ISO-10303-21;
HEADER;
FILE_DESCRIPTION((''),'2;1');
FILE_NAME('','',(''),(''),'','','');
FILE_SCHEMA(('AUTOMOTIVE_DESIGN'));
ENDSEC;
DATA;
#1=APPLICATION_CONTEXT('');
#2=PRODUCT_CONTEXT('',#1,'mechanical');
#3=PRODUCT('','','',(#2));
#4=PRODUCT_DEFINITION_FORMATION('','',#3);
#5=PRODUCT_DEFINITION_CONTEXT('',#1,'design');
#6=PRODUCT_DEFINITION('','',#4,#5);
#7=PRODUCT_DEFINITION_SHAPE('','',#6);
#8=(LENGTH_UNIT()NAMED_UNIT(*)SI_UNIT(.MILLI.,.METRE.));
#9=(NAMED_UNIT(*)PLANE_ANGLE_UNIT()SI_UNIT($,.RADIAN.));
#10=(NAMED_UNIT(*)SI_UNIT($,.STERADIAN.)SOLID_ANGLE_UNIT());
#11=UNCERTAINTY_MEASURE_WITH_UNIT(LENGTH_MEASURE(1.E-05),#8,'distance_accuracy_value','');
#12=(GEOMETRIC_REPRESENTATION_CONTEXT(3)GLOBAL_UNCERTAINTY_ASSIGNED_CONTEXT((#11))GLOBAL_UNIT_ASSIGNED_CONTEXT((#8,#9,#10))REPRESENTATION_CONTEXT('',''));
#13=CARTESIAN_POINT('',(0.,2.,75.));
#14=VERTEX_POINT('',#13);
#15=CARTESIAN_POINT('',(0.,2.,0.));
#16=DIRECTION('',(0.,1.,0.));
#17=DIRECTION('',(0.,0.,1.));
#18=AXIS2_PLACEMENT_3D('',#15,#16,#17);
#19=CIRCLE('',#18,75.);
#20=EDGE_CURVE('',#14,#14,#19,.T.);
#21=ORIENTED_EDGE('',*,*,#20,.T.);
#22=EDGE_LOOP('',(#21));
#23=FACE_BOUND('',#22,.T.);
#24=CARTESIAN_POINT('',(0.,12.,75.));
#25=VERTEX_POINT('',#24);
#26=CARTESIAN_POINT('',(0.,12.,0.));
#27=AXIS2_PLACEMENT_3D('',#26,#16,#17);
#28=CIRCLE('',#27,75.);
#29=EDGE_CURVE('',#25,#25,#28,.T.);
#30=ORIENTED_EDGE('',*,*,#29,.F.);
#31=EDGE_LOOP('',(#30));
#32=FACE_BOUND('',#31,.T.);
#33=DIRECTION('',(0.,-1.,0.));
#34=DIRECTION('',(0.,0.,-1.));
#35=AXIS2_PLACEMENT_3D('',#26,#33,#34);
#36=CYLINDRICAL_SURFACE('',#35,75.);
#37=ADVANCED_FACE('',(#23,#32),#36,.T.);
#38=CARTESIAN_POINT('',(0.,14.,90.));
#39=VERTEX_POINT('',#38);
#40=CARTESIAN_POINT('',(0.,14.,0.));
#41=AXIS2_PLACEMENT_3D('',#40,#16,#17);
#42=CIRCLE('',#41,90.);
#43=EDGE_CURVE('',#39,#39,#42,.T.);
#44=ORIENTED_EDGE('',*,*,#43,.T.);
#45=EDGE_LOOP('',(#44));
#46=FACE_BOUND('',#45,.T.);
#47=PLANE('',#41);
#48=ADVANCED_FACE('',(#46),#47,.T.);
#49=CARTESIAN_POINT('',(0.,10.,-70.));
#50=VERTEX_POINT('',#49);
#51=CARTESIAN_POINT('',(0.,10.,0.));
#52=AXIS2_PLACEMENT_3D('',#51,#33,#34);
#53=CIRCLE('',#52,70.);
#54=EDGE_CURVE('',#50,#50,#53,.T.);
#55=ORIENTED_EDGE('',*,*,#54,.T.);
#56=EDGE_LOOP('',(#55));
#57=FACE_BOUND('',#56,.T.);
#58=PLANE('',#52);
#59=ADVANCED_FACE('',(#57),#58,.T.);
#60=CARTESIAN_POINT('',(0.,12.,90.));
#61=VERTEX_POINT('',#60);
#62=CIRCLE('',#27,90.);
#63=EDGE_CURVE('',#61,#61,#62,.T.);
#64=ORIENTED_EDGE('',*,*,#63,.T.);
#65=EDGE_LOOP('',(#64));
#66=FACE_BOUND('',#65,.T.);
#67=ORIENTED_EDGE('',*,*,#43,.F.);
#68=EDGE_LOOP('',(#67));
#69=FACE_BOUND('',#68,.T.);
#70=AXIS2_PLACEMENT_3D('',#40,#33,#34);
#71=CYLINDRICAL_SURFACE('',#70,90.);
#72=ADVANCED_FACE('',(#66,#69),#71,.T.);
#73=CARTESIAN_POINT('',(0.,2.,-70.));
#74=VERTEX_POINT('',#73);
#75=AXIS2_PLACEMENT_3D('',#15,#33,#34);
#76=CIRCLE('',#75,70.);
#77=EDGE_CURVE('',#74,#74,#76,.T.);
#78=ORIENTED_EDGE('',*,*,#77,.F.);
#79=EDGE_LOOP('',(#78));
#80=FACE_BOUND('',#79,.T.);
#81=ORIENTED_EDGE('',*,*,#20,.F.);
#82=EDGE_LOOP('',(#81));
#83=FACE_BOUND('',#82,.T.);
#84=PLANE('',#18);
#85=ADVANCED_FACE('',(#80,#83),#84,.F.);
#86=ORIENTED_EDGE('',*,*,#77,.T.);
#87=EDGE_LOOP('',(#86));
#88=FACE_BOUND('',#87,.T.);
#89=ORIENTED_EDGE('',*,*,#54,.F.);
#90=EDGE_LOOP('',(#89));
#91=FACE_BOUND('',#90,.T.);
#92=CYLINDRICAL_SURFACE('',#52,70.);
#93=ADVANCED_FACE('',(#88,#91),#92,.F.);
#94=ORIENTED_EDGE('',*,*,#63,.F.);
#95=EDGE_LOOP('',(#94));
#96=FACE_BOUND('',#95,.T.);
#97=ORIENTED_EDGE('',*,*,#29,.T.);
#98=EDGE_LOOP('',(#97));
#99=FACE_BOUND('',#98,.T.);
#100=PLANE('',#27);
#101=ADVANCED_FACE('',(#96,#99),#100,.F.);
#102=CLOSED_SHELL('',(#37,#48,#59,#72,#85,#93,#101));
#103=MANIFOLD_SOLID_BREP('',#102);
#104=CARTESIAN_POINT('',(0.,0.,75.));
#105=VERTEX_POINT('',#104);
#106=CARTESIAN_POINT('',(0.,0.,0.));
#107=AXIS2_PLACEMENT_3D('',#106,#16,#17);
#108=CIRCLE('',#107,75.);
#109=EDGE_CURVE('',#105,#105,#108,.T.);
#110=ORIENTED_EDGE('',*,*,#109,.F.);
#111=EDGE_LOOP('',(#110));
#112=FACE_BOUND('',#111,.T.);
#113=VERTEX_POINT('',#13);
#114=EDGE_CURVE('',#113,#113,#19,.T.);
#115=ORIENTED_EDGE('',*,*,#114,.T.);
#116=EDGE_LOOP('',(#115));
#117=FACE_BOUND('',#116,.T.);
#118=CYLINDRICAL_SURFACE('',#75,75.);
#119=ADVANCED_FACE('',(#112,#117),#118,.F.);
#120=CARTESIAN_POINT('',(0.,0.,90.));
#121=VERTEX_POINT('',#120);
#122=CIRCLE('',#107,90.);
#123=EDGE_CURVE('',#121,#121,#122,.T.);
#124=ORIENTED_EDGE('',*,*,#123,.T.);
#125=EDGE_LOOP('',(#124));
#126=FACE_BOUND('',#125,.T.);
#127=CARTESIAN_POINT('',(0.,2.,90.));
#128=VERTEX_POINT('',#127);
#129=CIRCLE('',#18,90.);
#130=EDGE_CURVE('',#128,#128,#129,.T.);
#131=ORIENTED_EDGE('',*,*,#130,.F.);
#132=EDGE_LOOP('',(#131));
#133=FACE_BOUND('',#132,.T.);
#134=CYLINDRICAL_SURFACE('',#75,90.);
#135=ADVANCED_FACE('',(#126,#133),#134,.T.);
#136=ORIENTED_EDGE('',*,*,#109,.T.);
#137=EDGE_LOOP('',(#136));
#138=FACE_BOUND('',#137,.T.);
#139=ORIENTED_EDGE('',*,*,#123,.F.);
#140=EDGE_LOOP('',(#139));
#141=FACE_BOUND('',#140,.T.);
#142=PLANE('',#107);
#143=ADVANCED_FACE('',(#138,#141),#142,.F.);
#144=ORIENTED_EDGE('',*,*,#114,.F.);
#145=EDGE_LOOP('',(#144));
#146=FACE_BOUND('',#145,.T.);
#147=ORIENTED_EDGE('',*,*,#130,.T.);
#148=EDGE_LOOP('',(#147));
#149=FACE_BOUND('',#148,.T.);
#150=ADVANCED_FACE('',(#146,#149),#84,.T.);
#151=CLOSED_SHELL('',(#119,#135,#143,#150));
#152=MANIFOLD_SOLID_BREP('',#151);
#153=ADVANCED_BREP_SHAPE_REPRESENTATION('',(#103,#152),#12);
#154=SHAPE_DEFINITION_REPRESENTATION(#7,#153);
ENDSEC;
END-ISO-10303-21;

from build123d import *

# Parameters (mm, degrees)
SKETCH1_R           = 90
SKETCH1_R_2         = 75
BOSS_EXTRUDE1_DEPTH = 2
SKETCH2_R           = 75
BOSS_EXTRUDE2_DEPTH = 10
SKETCH4_R           = 90
BOSS_EXTRUDE3_DEPTH = 2
SKETCH5_R           = 70
CUT_EXTRUDE2_DEPTH  = 8


with BuildPart() as part:
    # Sketch1 → Boss-Extrude1 (new body)
    with BuildSketch(Plane(origin=(0, 0, 0), x_dir=(1, 0, 0), z_dir=(0, 1, 0))):
        Circle(SKETCH1_R)
        Circle(SKETCH1_R_2, mode=Mode.SUBTRACT)
    extrude(amount=BOSS_EXTRUDE1_DEPTH)


with BuildPart() as body_2:
    # Sketch2 → Boss-Extrude2 (new body)
    with BuildSketch(Plane(origin=(0, 2, 0), x_dir=(1, 0, 0), z_dir=(0, 1, 0))):
        Circle(SKETCH2_R)
    extrude(amount=BOSS_EXTRUDE2_DEPTH)

    # Sketch4 → Boss-Extrude3 (add)
    with BuildSketch(Plane(origin=(0, 12, 0), x_dir=(1, 0, 0), z_dir=(0, 1, 0))):
        Circle(SKETCH4_R)
    extrude(amount=BOSS_EXTRUDE3_DEPTH)

    # Sketch5 → Cut-Extrude2 (cut)
    with BuildSketch(Plane.XZ.offset(-2)):
        Circle(SKETCH5_R)
    extrude(amount=-CUT_EXTRUDE2_DEPTH, mode=Mode.SUBTRACT)


solid = Compound([part.part, body_2.part])
